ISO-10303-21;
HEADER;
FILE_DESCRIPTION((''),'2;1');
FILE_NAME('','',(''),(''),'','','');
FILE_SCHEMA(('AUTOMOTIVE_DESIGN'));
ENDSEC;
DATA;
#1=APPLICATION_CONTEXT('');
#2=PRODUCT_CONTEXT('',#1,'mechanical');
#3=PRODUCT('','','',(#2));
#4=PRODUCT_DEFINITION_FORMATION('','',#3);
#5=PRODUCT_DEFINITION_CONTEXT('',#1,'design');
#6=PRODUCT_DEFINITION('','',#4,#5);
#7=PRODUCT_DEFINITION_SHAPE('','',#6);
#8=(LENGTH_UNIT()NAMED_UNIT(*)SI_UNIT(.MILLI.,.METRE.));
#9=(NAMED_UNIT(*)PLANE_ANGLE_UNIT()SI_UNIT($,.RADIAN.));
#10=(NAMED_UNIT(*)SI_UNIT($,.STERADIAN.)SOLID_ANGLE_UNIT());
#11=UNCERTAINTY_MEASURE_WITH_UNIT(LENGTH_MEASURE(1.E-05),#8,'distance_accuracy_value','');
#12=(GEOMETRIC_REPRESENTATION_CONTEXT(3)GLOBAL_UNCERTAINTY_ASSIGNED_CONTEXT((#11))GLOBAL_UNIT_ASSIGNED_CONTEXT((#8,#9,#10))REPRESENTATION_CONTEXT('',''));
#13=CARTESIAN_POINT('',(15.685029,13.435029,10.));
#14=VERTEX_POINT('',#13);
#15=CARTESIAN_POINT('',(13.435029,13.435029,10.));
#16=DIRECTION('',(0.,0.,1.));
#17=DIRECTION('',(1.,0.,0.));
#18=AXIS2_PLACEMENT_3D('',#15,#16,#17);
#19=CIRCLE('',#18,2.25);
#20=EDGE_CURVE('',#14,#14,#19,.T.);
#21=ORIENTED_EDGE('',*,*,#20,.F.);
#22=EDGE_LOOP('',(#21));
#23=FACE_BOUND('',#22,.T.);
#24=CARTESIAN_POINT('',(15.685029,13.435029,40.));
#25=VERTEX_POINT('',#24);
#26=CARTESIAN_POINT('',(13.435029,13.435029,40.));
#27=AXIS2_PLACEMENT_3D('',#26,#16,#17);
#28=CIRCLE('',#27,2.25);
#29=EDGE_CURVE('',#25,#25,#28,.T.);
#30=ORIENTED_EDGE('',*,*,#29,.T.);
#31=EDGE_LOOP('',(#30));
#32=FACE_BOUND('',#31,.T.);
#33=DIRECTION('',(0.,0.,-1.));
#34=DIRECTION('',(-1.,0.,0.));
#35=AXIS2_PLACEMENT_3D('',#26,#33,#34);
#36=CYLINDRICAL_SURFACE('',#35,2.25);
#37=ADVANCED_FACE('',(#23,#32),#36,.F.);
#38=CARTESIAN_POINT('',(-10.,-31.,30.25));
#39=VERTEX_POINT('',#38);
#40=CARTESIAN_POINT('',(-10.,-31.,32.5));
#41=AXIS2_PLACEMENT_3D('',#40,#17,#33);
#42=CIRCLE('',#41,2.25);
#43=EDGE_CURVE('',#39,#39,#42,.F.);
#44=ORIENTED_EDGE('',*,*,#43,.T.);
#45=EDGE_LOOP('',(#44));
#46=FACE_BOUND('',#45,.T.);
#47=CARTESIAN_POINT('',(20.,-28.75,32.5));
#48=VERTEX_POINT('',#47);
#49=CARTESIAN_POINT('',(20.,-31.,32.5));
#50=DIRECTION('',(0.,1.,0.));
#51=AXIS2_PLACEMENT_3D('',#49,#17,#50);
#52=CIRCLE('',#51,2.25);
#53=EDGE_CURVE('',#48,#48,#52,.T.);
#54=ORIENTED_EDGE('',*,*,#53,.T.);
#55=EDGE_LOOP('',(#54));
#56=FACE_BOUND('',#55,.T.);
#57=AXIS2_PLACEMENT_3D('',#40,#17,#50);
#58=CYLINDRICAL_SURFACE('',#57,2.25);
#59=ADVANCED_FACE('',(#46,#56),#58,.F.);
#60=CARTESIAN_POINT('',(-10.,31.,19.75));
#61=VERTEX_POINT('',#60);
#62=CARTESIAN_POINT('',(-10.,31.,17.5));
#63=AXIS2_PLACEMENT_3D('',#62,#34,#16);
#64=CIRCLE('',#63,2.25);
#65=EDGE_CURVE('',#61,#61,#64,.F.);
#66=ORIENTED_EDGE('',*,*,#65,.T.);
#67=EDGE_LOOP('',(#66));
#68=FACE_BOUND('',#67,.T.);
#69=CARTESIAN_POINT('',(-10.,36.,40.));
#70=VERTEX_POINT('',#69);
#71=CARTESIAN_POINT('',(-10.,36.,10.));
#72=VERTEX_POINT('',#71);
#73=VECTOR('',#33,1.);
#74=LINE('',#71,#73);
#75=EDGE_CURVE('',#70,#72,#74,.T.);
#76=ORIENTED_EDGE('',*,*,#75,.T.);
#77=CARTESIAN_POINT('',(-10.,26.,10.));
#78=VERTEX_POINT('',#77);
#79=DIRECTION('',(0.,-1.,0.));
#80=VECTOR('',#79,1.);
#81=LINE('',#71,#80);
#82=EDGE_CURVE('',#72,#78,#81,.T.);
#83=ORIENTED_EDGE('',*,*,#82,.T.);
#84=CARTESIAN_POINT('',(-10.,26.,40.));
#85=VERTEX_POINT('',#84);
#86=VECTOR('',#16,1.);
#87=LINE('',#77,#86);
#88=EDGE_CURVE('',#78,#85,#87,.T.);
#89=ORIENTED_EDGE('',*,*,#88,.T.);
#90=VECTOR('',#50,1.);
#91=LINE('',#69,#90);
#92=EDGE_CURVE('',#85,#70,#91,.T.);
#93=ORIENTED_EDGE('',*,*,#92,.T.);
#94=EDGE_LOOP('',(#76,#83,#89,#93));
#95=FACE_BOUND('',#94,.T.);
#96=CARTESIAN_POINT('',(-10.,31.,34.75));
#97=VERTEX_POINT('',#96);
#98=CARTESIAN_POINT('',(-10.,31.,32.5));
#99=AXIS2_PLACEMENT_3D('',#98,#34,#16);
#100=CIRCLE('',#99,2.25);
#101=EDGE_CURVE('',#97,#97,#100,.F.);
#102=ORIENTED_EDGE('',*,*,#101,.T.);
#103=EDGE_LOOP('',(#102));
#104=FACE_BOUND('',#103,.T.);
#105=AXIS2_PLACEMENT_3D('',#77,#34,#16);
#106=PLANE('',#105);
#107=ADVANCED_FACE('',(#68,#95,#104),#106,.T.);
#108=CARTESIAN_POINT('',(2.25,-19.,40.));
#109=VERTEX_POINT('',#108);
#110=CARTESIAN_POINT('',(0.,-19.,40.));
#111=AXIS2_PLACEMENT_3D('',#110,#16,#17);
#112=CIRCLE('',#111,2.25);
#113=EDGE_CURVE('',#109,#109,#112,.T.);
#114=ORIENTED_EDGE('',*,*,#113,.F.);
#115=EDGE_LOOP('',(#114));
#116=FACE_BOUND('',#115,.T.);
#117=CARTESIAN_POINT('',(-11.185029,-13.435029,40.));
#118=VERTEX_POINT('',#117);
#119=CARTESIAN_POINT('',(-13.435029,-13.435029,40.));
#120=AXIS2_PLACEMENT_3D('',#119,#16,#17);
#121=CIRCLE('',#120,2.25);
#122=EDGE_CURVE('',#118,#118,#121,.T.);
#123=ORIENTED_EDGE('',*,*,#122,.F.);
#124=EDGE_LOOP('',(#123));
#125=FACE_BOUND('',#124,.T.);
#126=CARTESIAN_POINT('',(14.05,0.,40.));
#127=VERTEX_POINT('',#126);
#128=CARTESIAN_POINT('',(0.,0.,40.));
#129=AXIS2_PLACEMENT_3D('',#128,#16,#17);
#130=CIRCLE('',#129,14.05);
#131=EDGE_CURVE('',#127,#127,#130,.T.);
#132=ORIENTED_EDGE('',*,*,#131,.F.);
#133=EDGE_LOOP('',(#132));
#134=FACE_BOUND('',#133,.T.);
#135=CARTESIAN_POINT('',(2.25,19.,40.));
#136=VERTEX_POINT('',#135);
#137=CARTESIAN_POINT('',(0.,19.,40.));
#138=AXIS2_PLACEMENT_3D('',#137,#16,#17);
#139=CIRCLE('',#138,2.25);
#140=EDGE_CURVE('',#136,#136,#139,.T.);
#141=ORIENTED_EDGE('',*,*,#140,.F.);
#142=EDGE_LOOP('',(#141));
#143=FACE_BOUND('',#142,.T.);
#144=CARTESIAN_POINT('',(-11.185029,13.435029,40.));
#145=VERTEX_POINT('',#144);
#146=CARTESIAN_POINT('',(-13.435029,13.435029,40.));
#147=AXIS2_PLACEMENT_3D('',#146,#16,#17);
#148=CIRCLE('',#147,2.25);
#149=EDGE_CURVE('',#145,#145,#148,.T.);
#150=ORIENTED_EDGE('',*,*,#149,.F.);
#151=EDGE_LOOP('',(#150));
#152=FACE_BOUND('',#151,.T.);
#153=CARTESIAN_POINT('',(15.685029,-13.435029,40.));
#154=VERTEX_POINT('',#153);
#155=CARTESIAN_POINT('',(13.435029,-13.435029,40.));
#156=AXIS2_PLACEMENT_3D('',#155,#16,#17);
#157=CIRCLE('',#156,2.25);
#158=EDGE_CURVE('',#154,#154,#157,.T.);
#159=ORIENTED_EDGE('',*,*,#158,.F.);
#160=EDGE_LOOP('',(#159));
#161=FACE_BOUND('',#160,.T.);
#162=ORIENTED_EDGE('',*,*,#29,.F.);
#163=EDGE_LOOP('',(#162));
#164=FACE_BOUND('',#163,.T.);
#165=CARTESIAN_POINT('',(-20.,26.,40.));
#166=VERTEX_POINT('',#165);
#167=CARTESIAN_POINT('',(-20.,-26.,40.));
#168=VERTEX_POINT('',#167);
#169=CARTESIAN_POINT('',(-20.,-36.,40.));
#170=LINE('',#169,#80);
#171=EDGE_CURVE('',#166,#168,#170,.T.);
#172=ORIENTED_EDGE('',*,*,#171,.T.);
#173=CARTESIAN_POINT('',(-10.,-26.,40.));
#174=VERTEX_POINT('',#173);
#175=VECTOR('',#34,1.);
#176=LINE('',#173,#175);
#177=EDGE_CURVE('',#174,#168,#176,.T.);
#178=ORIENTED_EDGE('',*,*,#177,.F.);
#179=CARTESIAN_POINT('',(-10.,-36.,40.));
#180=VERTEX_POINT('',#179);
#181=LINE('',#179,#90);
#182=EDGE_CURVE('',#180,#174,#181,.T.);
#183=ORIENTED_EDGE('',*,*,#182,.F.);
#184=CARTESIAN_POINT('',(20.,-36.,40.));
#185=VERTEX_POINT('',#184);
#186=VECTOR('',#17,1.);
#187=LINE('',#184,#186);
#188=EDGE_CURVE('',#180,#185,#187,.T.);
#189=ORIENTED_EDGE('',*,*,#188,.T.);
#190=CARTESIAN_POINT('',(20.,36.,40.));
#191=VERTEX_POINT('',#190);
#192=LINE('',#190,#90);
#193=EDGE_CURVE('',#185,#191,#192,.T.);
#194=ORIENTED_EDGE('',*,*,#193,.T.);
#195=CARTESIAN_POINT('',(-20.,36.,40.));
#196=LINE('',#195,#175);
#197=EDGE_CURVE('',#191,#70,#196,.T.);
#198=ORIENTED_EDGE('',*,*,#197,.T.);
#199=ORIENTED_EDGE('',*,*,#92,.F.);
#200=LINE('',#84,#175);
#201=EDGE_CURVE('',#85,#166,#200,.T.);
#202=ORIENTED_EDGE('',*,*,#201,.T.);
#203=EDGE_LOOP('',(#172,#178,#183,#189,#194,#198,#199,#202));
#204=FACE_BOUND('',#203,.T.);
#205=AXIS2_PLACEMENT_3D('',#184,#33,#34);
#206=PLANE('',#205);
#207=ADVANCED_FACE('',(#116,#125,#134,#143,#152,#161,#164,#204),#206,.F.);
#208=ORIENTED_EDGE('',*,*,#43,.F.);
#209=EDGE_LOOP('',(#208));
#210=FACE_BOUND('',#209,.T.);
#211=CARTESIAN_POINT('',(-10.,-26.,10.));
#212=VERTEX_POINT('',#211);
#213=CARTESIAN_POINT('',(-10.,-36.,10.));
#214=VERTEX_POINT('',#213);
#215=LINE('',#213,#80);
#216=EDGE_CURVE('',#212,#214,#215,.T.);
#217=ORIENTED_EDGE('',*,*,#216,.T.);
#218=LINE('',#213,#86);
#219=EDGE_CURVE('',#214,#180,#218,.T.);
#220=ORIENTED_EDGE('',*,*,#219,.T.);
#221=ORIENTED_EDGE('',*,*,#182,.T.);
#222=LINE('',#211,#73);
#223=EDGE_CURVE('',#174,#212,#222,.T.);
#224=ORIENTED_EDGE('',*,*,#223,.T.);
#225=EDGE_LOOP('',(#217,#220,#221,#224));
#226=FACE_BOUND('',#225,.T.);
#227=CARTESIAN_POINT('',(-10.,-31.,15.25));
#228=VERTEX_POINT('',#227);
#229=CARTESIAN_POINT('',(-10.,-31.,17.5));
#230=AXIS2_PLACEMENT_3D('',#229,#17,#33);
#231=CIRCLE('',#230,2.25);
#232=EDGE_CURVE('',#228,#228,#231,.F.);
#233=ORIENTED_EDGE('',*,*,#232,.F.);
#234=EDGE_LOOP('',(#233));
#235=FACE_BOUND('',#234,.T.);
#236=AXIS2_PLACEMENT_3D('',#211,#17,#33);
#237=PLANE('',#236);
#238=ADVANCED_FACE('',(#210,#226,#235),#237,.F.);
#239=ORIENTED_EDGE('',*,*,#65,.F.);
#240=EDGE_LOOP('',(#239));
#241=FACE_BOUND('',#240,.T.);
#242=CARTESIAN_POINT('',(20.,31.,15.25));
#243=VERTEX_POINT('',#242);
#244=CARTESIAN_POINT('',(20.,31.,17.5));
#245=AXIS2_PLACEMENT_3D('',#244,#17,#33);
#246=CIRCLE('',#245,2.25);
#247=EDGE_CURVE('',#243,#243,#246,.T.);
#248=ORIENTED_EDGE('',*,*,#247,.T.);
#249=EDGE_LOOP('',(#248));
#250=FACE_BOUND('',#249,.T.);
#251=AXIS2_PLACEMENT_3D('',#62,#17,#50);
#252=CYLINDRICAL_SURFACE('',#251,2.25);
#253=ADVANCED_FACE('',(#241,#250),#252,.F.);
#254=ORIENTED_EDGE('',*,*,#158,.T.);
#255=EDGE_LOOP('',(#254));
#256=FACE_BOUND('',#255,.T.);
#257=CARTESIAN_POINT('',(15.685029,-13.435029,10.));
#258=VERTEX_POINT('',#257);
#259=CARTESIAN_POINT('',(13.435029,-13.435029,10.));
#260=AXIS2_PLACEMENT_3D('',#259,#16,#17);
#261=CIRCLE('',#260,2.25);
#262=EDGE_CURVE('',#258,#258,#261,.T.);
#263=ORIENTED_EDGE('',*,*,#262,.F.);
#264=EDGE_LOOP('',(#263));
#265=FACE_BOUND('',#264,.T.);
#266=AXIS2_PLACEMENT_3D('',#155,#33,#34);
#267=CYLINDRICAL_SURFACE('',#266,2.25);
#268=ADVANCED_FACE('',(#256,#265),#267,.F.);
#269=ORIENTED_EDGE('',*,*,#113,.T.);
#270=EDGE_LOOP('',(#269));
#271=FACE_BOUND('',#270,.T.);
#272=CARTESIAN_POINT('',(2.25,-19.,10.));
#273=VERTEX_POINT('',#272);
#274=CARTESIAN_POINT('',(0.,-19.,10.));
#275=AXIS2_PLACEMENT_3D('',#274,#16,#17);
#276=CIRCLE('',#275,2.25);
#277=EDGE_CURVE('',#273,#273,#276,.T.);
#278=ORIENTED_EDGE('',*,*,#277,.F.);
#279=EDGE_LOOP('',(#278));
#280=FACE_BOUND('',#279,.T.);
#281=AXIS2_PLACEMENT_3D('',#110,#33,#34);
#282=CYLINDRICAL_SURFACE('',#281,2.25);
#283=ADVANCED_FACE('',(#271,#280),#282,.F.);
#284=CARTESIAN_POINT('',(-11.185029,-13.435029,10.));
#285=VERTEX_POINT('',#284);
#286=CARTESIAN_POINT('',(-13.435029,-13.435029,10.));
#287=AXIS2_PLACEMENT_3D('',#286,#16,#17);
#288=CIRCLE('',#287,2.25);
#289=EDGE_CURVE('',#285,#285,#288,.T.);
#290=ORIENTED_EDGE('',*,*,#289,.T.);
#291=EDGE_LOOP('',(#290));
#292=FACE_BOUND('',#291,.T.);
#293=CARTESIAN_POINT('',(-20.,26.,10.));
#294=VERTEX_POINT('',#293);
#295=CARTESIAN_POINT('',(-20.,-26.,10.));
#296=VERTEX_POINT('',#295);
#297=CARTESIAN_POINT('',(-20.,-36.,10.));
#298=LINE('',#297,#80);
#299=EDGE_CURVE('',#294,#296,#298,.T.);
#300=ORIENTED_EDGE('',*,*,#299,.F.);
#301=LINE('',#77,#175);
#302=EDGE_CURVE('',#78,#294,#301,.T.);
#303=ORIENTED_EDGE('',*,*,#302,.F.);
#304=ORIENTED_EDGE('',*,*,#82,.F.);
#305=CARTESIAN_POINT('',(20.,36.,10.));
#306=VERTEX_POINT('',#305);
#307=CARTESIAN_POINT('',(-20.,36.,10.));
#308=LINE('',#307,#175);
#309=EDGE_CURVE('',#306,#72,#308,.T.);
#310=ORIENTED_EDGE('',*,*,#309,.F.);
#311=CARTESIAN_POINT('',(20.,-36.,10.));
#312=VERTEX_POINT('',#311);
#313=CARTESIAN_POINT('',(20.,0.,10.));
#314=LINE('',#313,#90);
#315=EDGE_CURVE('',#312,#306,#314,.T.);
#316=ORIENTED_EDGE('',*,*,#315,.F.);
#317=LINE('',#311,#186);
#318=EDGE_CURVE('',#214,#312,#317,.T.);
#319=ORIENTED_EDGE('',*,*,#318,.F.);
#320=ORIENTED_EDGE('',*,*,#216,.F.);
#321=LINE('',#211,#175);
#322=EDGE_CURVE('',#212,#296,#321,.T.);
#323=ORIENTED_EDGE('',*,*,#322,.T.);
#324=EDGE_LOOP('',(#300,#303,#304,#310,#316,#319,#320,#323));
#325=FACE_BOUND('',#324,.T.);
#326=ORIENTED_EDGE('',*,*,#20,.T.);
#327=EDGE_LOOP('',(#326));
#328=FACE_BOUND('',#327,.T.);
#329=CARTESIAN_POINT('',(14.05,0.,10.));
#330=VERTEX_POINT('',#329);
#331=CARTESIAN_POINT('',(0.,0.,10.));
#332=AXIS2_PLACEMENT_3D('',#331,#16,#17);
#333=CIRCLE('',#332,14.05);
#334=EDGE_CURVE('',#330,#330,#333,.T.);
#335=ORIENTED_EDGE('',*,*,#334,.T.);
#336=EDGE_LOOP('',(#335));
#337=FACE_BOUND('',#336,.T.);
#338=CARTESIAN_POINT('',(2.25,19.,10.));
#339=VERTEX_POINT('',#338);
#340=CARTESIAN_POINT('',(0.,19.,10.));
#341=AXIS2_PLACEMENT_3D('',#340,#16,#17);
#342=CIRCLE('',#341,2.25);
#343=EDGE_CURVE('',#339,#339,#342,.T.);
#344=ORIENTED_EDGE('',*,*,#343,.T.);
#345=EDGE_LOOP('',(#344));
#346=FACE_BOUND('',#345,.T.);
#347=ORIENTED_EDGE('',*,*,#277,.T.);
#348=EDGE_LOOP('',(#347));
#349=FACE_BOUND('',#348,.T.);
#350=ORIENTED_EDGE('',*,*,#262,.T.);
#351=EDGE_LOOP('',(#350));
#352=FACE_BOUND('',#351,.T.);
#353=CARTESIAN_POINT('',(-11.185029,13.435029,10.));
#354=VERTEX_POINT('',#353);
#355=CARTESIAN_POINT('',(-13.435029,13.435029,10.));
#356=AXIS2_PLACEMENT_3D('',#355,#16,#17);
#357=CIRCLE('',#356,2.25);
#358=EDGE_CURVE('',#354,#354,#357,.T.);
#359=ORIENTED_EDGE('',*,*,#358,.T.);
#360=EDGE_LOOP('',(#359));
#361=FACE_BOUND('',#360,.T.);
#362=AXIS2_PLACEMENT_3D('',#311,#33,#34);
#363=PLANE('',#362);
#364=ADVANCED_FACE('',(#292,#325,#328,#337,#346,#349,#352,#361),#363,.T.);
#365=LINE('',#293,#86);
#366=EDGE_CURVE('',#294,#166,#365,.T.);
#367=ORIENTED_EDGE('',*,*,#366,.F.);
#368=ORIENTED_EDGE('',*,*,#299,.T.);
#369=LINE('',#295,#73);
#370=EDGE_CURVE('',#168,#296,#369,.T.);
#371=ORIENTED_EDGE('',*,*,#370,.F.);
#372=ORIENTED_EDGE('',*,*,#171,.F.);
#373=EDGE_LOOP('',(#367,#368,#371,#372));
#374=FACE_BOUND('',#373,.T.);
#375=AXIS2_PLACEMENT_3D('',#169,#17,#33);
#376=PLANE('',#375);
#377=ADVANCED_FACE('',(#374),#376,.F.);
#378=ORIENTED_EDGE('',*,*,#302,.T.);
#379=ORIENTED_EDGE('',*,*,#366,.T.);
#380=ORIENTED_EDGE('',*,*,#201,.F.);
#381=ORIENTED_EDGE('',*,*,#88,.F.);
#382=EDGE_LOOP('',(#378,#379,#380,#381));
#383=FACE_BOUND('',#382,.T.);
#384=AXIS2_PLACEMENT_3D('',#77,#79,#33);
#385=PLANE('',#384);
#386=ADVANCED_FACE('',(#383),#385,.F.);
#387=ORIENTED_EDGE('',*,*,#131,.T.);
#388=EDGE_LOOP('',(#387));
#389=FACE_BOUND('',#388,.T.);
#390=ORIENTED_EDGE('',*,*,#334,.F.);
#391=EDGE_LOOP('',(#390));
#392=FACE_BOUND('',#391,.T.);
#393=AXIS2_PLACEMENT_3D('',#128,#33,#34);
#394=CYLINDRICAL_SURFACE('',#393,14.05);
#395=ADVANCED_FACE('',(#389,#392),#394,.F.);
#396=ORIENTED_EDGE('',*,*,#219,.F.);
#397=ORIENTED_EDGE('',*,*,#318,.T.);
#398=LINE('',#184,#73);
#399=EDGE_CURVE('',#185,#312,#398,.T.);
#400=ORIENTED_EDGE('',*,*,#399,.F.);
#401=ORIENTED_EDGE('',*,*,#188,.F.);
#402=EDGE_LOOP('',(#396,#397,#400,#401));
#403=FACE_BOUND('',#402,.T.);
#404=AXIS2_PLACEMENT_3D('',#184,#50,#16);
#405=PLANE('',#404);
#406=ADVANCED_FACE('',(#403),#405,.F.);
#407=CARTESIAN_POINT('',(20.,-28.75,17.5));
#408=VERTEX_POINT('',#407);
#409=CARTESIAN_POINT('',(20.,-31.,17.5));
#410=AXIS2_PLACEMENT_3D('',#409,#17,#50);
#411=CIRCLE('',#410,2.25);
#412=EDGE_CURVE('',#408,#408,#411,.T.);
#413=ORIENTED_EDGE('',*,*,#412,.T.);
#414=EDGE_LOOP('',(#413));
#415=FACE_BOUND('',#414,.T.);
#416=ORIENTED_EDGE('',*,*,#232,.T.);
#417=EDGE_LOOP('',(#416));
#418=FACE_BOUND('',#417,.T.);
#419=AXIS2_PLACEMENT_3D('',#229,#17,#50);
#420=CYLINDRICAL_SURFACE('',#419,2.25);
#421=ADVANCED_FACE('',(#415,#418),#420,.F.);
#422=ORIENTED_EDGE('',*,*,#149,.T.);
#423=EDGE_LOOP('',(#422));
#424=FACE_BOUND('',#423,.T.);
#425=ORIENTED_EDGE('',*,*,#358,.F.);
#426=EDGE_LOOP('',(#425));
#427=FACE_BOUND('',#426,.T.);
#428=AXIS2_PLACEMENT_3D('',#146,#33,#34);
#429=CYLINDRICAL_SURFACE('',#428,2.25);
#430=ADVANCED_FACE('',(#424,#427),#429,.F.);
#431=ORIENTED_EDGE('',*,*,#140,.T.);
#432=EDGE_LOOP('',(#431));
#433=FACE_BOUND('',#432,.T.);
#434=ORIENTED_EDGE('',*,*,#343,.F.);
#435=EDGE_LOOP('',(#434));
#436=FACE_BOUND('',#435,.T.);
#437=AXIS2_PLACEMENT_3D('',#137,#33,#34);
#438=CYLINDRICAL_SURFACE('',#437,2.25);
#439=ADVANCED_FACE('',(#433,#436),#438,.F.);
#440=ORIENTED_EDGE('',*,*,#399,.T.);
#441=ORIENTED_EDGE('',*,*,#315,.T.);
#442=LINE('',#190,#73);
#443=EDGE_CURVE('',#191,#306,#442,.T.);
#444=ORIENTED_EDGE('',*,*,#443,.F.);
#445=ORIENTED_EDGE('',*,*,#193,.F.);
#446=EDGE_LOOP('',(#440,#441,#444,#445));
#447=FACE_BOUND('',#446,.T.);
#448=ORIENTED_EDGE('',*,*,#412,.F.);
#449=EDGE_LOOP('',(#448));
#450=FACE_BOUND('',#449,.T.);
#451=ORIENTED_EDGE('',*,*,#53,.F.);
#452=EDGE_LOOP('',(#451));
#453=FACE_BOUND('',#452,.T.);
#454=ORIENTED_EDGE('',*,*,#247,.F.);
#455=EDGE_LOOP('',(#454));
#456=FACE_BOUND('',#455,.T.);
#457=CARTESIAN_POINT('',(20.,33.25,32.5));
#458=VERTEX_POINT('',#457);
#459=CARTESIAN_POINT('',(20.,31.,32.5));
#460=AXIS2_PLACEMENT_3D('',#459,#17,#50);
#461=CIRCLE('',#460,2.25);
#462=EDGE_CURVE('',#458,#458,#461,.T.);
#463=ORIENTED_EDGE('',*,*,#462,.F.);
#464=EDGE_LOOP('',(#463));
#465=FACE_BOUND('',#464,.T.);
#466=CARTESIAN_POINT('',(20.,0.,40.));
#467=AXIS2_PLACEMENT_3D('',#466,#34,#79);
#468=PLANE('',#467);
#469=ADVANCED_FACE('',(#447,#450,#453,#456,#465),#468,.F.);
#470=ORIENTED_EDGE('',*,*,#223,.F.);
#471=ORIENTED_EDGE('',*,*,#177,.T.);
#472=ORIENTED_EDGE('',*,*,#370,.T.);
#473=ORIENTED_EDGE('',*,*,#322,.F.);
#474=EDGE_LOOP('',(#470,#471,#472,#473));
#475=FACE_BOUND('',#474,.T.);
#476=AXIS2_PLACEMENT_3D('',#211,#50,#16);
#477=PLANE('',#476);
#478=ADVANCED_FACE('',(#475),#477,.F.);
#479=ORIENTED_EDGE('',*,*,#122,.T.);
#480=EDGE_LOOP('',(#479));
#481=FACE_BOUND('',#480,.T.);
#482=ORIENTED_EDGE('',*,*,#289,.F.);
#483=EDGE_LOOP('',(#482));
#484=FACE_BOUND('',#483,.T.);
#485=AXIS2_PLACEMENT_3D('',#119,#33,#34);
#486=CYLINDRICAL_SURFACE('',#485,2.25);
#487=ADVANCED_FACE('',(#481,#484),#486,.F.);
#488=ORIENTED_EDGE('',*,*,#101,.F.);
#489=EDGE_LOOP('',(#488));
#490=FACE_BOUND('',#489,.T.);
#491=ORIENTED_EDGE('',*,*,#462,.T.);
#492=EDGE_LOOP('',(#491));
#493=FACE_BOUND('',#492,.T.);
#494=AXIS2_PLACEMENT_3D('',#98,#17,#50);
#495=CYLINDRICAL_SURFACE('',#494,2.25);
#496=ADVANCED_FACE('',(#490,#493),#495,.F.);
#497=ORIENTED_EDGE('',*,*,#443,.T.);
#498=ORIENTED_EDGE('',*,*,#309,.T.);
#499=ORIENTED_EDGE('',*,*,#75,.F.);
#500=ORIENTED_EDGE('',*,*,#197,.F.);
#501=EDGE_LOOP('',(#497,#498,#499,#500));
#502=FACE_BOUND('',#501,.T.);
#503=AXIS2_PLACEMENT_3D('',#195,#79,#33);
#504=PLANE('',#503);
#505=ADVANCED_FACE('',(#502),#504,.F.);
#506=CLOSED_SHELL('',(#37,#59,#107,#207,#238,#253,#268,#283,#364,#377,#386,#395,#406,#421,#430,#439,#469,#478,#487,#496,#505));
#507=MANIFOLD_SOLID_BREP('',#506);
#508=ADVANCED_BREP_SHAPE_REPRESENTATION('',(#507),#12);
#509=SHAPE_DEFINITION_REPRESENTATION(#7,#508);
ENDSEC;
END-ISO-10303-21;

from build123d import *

# Parameters (mm, degrees)
SKETCH2_R          = 2.25
SKETCH2_R_2        = 14.05
EXTRUDE6_DEPTH     = 30
SKETCH3_R          = 2.25
CUT_EXTRUDE1_DEPTH = 30
SKETCH4_W          = 30
SKETCH4_H          = 10
CUT_EXTRUDE2_DEPTH = 10


with BuildPart() as part:
    # Sketch2 → Extrude6 (new body)
    with BuildSketch(Plane.XY.offset(10)):
        Polygon((20, 0), (20, -36), (-20, -36), (-20, 36), (20, 36), align=None)
        with Locations((13.435028843, 13.435028843)):
            Circle(SKETCH2_R, mode=Mode.SUBTRACT)
        with Locations((0, 19)):
            Circle(SKETCH2_R, mode=Mode.SUBTRACT)
        with Locations((-13.435028843, 13.435028843)):
            Circle(SKETCH2_R, mode=Mode.SUBTRACT)
        with Locations((-13.435028843, -13.435028843)):
            Circle(SKETCH2_R, mode=Mode.SUBTRACT)
        with Locations((0, -19)):
            Circle(SKETCH2_R, mode=Mode.SUBTRACT)
        with Locations((13.435028843, -13.435028843)):
            Circle(SKETCH2_R, mode=Mode.SUBTRACT)
        Circle(SKETCH2_R_2, mode=Mode.SUBTRACT)
    extrude(amount=EXTRUDE6_DEPTH)

    # Sketch3 → Cut-Extrude1 (cut)
    with BuildSketch(Plane(origin=(20, 0, 0), x_dir=(0, 0, -1), z_dir=(1, 0, 0))):
        with Locations((-32.5, -31)):
            Circle(SKETCH3_R)
        with Locations((-17.5, -31)):
            Circle(SKETCH3_R)
        with Locations((-32.5, 31)):
            Circle(SKETCH3_R)
        with Locations((-17.5, 31)):
            Circle(SKETCH3_R)
    extrude(amount=-CUT_EXTRUDE1_DEPTH, mode=Mode.SUBTRACT)

    # Sketch4 → Cut-Extrude2 (cut)
    with BuildSketch(Plane.ZY.offset(20)):
        with Locations((25, 31)):
            Rectangle(SKETCH4_W, SKETCH4_H)
        with Locations((25, -31)):
            Rectangle(SKETCH4_W, SKETCH4_H)
    extrude(amount=-CUT_EXTRUDE2_DEPTH, mode=Mode.SUBTRACT)


solid = part.part
